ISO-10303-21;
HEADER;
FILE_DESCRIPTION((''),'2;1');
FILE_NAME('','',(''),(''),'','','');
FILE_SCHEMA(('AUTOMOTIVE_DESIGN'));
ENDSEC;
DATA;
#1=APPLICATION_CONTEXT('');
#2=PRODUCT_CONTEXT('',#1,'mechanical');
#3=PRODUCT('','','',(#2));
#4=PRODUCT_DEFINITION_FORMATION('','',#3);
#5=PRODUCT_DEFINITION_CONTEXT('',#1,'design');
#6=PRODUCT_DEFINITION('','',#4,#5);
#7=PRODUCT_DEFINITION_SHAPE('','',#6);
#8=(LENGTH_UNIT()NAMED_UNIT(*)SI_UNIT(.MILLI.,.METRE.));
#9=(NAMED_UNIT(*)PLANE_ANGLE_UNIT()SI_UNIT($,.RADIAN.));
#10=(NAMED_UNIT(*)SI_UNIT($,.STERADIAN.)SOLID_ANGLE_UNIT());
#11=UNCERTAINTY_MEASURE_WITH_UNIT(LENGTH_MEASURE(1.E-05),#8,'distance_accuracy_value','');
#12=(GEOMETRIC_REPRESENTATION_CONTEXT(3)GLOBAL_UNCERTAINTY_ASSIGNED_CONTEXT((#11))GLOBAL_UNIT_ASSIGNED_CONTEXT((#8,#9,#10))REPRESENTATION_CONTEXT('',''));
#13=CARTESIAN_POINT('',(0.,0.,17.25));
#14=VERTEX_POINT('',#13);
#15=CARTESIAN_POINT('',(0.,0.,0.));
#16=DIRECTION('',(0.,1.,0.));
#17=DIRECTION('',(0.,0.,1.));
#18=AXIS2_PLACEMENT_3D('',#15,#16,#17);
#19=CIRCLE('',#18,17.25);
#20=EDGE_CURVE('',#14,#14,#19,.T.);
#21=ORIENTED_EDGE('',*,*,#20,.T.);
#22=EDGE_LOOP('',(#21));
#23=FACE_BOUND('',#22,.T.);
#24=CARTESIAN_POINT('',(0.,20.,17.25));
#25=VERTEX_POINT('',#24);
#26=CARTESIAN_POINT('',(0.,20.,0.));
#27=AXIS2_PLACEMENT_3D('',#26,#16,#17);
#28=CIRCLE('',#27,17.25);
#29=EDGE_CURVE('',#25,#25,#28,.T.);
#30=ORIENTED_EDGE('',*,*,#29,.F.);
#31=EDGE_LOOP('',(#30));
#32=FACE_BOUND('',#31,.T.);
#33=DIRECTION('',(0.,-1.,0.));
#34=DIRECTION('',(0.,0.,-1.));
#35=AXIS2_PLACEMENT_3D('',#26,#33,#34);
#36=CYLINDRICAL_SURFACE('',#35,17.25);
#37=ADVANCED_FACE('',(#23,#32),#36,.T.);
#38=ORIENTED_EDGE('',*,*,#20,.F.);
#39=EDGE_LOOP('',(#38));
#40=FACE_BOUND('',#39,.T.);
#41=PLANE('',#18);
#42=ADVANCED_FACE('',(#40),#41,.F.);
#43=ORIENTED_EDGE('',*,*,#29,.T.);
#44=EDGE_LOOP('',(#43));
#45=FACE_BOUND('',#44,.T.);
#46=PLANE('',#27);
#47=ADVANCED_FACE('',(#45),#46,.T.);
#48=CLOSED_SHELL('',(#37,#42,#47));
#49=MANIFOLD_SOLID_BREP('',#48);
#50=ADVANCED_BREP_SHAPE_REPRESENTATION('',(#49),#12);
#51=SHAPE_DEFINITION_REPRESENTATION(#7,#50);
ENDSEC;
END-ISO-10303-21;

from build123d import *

# Parameters (mm, degrees)
SKETCH1_R           = 17.25
BOSS_EXTRUDE1_DEPTH = 20


with BuildPart() as part:
    # Sketch1 → Boss-Extrude1 (new body)
    with BuildSketch(Plane(origin=(0, 0, 0), x_dir=(1, 0, 0), z_dir=(0, 1, 0))):
        Circle(SKETCH1_R)
    extrude(amount=BOSS_EXTRUDE1_DEPTH)


solid = part.part
